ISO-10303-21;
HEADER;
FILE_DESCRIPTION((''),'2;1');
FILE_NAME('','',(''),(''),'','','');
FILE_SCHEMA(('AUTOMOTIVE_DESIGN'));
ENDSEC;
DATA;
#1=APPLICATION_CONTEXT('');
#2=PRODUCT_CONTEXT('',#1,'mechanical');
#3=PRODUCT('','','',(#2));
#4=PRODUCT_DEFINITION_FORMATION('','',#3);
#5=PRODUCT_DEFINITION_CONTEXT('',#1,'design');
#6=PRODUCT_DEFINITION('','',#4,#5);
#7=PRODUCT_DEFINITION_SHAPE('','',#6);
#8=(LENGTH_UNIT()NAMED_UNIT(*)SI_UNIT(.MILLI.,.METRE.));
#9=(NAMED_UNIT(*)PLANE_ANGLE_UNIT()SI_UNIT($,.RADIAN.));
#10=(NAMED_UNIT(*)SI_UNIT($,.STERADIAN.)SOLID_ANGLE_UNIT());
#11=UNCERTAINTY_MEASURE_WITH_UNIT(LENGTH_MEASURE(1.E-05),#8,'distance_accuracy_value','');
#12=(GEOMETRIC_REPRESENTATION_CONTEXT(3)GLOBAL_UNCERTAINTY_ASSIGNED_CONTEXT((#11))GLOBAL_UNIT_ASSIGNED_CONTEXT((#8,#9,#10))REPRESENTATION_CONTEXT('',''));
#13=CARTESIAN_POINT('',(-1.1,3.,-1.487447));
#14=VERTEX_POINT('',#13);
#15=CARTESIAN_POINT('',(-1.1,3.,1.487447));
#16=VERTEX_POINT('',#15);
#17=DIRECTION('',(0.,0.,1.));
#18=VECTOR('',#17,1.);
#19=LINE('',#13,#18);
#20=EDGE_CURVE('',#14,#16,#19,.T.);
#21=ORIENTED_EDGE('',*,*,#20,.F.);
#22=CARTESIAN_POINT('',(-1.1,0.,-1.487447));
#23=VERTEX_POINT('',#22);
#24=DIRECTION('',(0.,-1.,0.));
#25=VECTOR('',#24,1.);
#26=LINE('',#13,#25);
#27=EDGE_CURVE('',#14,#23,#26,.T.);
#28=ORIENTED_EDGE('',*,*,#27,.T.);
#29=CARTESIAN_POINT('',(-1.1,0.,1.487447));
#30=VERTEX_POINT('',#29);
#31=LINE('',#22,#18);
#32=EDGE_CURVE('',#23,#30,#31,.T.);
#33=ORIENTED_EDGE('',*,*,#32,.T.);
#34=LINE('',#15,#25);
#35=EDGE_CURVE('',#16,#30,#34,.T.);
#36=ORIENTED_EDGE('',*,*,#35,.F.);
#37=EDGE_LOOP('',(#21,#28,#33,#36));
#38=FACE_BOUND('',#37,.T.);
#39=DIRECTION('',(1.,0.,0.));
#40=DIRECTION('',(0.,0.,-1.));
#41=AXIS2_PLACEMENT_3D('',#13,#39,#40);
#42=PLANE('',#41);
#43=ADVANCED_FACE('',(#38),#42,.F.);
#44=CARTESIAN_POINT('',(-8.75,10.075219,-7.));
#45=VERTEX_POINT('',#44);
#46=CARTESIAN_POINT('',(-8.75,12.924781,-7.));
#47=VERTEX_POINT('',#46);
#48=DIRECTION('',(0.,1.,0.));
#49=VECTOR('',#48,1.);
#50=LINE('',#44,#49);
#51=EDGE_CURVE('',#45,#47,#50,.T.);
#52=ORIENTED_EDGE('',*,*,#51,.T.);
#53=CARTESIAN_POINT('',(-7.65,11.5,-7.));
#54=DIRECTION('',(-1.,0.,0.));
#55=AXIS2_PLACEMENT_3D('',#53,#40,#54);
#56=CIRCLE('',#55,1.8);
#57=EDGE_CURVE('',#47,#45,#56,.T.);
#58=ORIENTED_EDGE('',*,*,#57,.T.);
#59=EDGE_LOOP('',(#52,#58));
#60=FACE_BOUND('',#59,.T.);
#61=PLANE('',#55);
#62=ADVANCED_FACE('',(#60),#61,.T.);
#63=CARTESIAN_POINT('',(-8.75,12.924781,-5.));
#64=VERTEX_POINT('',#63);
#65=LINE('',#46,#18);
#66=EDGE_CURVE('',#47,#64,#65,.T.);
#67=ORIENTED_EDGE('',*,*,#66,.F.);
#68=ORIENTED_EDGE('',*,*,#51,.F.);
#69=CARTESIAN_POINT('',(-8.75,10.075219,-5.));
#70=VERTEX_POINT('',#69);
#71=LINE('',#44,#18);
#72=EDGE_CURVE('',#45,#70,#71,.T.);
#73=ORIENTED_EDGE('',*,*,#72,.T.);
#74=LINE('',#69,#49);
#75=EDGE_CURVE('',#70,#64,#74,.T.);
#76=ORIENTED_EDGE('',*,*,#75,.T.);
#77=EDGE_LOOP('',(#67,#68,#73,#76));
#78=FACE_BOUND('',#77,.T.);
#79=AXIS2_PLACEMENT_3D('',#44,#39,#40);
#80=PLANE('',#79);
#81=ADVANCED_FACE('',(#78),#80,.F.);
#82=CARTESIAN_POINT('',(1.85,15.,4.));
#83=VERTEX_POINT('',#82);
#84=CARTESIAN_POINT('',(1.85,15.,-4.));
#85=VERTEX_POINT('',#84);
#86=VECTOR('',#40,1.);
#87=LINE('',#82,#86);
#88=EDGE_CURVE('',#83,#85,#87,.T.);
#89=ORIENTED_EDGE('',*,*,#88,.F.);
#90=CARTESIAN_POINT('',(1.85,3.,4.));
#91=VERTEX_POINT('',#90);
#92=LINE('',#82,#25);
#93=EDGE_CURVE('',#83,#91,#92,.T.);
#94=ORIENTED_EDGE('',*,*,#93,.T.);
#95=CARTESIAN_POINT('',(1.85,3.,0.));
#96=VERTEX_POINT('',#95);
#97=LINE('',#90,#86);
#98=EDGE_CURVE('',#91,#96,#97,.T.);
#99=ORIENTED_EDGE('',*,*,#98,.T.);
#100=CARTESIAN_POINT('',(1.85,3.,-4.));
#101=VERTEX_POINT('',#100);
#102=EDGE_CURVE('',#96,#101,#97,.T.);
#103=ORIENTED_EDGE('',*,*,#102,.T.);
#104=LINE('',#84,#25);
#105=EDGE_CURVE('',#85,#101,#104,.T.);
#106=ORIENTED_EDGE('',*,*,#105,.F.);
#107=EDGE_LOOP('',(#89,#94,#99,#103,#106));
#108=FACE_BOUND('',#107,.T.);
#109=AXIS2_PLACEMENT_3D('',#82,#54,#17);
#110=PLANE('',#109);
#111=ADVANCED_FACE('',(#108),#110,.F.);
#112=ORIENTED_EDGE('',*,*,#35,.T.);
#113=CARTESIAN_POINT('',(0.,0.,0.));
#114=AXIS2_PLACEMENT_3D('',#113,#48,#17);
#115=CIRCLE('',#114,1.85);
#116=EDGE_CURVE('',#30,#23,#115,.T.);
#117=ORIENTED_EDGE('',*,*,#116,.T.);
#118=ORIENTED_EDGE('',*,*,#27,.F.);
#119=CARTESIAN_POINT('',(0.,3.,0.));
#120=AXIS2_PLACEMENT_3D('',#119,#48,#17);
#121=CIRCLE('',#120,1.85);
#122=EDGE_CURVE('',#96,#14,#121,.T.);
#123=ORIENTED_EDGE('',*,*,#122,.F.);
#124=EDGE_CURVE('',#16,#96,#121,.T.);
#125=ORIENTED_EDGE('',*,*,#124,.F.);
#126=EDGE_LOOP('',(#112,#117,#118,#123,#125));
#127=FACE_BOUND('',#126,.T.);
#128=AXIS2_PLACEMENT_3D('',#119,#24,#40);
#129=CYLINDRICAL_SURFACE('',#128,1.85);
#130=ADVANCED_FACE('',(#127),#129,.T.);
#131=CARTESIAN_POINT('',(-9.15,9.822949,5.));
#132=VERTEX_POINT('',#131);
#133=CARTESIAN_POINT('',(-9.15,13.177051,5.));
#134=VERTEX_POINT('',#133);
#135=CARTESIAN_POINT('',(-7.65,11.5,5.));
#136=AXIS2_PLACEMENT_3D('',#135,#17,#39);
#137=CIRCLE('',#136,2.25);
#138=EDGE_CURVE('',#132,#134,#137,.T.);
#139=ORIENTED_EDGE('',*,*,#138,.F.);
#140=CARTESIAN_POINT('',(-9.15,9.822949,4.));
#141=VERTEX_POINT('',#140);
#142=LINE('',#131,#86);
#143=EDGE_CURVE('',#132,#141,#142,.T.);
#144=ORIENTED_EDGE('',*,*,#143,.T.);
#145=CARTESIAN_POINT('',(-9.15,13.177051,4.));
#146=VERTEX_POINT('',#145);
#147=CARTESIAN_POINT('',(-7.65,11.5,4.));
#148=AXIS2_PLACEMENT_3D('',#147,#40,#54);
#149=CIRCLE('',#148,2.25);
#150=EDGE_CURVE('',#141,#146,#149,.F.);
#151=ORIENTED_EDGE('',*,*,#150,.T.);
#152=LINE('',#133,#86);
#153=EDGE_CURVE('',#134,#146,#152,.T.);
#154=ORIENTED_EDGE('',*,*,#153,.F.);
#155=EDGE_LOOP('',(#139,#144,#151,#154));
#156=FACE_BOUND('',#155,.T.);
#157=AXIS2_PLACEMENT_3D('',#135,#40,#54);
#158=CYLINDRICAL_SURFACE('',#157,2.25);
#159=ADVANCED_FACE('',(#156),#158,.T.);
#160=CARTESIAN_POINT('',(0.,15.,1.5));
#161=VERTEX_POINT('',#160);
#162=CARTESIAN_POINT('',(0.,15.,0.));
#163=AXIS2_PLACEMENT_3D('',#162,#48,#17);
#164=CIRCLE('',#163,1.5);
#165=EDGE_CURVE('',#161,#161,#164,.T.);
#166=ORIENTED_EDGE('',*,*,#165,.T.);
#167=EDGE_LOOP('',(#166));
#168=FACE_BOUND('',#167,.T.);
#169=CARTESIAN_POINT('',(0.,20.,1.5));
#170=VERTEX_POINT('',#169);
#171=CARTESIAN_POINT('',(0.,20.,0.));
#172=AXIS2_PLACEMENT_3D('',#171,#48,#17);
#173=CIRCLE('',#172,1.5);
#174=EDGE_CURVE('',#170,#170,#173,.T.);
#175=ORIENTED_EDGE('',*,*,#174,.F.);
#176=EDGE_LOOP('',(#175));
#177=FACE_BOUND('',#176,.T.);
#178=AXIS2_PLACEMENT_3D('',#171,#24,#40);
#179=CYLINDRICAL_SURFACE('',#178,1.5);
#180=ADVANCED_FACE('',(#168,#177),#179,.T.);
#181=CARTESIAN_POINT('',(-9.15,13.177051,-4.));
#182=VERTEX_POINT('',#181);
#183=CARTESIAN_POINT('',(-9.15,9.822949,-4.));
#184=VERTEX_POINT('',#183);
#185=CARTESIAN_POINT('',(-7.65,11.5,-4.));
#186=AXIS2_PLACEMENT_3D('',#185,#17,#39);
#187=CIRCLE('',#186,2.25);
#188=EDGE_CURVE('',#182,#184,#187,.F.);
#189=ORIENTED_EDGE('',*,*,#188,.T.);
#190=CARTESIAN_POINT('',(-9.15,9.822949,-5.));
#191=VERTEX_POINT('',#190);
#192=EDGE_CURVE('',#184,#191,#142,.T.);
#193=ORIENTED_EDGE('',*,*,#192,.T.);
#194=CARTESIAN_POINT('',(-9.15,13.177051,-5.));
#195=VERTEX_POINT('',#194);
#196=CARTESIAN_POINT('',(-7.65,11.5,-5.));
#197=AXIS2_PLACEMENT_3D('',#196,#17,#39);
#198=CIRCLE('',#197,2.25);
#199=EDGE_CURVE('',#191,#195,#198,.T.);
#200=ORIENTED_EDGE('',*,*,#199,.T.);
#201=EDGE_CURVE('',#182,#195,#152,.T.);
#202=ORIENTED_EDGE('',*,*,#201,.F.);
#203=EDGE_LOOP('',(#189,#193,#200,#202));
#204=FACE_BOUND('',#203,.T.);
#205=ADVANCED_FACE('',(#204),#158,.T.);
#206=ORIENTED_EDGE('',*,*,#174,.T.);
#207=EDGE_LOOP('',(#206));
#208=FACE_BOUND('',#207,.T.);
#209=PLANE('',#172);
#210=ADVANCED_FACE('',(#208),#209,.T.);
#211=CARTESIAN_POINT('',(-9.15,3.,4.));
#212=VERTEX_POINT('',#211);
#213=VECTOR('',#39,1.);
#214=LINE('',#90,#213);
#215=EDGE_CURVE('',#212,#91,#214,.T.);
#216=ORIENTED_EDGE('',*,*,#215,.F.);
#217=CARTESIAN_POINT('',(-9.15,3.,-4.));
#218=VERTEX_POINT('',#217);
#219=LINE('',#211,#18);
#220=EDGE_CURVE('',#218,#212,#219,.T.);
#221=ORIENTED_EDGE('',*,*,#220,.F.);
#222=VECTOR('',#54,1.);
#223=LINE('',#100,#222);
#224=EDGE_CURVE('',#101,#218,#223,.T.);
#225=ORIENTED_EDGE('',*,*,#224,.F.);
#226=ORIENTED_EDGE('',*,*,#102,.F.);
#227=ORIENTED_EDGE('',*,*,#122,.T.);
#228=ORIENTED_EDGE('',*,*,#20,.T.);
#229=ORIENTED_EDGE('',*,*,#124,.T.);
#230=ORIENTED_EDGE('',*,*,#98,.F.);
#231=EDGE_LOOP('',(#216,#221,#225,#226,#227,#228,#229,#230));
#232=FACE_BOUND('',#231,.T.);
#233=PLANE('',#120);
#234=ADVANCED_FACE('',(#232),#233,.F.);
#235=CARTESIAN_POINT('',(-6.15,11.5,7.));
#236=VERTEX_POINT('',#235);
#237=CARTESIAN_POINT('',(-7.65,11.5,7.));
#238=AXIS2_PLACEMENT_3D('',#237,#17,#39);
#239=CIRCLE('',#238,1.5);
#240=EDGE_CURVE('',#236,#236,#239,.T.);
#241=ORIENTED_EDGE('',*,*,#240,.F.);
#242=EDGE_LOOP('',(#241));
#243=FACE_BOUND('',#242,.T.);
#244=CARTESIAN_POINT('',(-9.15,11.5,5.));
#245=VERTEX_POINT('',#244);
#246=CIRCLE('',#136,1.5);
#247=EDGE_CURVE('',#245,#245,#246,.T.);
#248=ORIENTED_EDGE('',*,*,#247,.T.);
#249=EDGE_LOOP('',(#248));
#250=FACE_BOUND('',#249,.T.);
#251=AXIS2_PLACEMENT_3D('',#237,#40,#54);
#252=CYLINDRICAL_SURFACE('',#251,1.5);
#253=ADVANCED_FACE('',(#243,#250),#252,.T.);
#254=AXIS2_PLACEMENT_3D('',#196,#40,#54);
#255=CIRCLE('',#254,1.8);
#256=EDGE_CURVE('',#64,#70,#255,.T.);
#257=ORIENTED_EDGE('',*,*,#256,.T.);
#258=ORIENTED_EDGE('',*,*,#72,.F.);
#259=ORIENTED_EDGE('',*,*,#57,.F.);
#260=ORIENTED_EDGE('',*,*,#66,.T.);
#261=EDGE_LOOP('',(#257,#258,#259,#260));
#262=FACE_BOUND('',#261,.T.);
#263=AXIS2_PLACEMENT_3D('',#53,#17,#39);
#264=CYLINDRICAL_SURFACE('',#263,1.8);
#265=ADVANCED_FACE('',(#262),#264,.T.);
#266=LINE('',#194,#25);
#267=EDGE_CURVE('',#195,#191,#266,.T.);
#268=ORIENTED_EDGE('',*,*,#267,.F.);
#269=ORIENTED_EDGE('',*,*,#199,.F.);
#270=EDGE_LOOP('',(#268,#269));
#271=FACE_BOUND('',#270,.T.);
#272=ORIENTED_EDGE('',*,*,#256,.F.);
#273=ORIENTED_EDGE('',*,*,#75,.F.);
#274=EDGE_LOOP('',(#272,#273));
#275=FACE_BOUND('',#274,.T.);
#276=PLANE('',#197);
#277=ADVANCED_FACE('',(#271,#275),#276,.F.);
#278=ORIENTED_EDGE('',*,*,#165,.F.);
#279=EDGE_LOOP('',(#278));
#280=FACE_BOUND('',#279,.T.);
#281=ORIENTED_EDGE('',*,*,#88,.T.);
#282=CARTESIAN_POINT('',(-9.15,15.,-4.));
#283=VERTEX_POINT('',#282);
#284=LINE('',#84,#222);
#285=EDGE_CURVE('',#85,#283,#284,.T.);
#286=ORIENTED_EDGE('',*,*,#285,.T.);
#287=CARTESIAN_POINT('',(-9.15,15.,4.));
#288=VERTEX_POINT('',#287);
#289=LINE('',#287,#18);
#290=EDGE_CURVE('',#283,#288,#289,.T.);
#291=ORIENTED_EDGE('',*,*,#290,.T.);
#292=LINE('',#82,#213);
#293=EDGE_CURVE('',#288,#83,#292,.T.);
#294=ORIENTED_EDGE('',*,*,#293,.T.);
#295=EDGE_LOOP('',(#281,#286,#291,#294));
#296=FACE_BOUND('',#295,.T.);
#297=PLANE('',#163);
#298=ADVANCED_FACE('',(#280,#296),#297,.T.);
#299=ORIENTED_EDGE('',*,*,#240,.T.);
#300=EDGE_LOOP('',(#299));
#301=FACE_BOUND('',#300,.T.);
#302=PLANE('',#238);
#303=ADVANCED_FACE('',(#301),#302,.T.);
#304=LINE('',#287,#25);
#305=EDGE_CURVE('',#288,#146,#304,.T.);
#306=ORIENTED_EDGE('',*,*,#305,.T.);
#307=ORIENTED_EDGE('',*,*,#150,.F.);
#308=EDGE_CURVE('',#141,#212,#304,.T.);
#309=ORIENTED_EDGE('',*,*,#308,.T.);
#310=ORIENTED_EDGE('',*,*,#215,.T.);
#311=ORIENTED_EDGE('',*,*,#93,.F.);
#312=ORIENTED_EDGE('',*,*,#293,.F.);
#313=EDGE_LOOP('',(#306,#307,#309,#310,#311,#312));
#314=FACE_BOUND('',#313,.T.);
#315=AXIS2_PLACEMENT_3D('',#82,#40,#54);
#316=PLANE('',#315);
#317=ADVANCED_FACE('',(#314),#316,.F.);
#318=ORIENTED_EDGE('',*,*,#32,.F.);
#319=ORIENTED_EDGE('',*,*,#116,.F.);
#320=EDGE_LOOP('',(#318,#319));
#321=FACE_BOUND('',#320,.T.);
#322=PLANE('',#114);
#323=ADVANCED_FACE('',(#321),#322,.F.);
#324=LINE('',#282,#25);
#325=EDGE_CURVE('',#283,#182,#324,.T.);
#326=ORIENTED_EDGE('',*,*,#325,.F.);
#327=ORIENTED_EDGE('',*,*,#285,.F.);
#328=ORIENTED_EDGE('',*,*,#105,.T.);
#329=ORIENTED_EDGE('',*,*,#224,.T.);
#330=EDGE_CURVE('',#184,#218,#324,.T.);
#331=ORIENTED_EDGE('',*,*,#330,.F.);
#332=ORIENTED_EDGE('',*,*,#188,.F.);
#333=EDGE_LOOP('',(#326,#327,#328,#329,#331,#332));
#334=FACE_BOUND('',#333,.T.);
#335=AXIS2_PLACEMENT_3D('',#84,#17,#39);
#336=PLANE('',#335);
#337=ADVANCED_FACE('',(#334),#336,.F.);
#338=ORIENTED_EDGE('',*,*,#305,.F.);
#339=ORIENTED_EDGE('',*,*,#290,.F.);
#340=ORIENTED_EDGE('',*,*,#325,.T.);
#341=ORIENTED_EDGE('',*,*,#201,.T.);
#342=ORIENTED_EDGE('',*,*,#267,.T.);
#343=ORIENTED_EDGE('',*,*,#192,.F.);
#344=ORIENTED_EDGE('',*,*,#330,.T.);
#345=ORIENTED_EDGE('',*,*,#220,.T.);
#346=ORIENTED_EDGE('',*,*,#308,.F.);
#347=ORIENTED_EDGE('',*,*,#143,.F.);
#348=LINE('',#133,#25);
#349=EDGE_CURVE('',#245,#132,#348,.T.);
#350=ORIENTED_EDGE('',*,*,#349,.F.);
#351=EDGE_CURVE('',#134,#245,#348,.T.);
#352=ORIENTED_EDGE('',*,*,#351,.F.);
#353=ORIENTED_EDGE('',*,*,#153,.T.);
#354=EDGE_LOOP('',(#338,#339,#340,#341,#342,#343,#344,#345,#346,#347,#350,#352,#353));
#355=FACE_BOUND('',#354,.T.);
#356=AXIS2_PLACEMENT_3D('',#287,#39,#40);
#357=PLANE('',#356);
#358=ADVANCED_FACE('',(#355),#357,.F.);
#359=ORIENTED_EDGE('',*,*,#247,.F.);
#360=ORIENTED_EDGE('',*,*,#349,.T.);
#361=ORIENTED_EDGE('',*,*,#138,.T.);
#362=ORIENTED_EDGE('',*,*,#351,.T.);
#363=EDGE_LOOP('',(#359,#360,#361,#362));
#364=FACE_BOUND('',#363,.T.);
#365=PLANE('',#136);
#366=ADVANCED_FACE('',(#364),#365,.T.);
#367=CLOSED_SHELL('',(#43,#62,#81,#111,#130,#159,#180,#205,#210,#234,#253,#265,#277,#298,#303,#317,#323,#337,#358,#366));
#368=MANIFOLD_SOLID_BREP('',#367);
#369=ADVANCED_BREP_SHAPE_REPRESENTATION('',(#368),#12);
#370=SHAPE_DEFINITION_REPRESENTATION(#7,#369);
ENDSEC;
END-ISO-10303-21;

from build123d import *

# Parameters (mm, degrees)
BOSS_EXTRUDE1_DEPTH = 3
SKETCH2_W           = 11
SKETCH2_H           = 8
BOSS_EXTRUDE2_DEPTH = 12
SKETCH4_R           = 1.5
BOSS_EXTRUDE4_DEPTH = 5
BOSS_EXTRUDE5_DEPTH = 5
SKETCH3_R           = 1.5
BOSS_EXTRUDE3_DEPTH = 2
BOSS_EXTRUDE6_DEPTH = 2


with BuildPart() as part:
    # Sketch1 → Boss-Extrude1 (new body)
    with BuildSketch(Plane(origin=(0, 0, 0), x_dir=(1, 0, 0), z_dir=(0, 1, 0))):
        with BuildLine():
            Line((-1.1, 1.487447478), (-1.1, -1.487447478))
            ThreePointArc((-1.1, -1.487447478), (1.85, 0), (-1.1, 1.487447478))
        make_face()
    extrude(amount=BOSS_EXTRUDE1_DEPTH)

    # Sketch2 → Boss-Extrude2 (add)
    with BuildSketch(Plane(origin=(0, 3, 0), x_dir=(1, 0, 0), z_dir=(0, 1, 0))):
        with Locations((-3.65, 0)):
            Rectangle(SKETCH2_W, SKETCH2_H)
    extrude(amount=BOSS_EXTRUDE2_DEPTH)

    # Sketch4 → Boss-Extrude4 (add)
    with BuildSketch(Plane(origin=(0, 15, 0), x_dir=(1, 0, 0), z_dir=(0, 1, 0))):
        with Locations(Location((0, 0, 0), (0, 0, 270))):
            Circle(SKETCH4_R)
    extrude(amount=BOSS_EXTRUDE4_DEPTH)

    # Sketch5 → Boss-Extrude5 (add, symmetric)
    with BuildSketch(Plane.XY):
        with BuildLine():
            Line((-9.15, 13.177050983), (-9.15, 9.822949017))
            ThreePointArc((-9.15, 9.822949017), (-5.4, 11.5), (-9.15, 13.177050983))
        make_face()
    extrude(amount=BOSS_EXTRUDE5_DEPTH, both=True)

    # Sketch3 → Boss-Extrude3 (add)
    with BuildSketch(Plane.XY.offset(5)):
        with Locations(Location((-7.65, 11.5, 0), (0, 0, 180))):
            Circle(SKETCH3_R)
    extrude(amount=BOSS_EXTRUDE3_DEPTH)

    # Sketch6 → Boss-Extrude6 (add)
    with BuildSketch(Plane(origin=(0, 0, -5), x_dir=(-1, 0, 0), z_dir=(0, 0, -1))):
        with BuildLine():
            Line((8.75, 10.075219315), (8.75, 12.924780685))
            ThreePointArc((8.75, 12.924780685), (5.85, 11.5), (8.75, 10.075219315))
        make_face()
    extrude(amount=BOSS_EXTRUDE6_DEPTH)


solid = part.part
